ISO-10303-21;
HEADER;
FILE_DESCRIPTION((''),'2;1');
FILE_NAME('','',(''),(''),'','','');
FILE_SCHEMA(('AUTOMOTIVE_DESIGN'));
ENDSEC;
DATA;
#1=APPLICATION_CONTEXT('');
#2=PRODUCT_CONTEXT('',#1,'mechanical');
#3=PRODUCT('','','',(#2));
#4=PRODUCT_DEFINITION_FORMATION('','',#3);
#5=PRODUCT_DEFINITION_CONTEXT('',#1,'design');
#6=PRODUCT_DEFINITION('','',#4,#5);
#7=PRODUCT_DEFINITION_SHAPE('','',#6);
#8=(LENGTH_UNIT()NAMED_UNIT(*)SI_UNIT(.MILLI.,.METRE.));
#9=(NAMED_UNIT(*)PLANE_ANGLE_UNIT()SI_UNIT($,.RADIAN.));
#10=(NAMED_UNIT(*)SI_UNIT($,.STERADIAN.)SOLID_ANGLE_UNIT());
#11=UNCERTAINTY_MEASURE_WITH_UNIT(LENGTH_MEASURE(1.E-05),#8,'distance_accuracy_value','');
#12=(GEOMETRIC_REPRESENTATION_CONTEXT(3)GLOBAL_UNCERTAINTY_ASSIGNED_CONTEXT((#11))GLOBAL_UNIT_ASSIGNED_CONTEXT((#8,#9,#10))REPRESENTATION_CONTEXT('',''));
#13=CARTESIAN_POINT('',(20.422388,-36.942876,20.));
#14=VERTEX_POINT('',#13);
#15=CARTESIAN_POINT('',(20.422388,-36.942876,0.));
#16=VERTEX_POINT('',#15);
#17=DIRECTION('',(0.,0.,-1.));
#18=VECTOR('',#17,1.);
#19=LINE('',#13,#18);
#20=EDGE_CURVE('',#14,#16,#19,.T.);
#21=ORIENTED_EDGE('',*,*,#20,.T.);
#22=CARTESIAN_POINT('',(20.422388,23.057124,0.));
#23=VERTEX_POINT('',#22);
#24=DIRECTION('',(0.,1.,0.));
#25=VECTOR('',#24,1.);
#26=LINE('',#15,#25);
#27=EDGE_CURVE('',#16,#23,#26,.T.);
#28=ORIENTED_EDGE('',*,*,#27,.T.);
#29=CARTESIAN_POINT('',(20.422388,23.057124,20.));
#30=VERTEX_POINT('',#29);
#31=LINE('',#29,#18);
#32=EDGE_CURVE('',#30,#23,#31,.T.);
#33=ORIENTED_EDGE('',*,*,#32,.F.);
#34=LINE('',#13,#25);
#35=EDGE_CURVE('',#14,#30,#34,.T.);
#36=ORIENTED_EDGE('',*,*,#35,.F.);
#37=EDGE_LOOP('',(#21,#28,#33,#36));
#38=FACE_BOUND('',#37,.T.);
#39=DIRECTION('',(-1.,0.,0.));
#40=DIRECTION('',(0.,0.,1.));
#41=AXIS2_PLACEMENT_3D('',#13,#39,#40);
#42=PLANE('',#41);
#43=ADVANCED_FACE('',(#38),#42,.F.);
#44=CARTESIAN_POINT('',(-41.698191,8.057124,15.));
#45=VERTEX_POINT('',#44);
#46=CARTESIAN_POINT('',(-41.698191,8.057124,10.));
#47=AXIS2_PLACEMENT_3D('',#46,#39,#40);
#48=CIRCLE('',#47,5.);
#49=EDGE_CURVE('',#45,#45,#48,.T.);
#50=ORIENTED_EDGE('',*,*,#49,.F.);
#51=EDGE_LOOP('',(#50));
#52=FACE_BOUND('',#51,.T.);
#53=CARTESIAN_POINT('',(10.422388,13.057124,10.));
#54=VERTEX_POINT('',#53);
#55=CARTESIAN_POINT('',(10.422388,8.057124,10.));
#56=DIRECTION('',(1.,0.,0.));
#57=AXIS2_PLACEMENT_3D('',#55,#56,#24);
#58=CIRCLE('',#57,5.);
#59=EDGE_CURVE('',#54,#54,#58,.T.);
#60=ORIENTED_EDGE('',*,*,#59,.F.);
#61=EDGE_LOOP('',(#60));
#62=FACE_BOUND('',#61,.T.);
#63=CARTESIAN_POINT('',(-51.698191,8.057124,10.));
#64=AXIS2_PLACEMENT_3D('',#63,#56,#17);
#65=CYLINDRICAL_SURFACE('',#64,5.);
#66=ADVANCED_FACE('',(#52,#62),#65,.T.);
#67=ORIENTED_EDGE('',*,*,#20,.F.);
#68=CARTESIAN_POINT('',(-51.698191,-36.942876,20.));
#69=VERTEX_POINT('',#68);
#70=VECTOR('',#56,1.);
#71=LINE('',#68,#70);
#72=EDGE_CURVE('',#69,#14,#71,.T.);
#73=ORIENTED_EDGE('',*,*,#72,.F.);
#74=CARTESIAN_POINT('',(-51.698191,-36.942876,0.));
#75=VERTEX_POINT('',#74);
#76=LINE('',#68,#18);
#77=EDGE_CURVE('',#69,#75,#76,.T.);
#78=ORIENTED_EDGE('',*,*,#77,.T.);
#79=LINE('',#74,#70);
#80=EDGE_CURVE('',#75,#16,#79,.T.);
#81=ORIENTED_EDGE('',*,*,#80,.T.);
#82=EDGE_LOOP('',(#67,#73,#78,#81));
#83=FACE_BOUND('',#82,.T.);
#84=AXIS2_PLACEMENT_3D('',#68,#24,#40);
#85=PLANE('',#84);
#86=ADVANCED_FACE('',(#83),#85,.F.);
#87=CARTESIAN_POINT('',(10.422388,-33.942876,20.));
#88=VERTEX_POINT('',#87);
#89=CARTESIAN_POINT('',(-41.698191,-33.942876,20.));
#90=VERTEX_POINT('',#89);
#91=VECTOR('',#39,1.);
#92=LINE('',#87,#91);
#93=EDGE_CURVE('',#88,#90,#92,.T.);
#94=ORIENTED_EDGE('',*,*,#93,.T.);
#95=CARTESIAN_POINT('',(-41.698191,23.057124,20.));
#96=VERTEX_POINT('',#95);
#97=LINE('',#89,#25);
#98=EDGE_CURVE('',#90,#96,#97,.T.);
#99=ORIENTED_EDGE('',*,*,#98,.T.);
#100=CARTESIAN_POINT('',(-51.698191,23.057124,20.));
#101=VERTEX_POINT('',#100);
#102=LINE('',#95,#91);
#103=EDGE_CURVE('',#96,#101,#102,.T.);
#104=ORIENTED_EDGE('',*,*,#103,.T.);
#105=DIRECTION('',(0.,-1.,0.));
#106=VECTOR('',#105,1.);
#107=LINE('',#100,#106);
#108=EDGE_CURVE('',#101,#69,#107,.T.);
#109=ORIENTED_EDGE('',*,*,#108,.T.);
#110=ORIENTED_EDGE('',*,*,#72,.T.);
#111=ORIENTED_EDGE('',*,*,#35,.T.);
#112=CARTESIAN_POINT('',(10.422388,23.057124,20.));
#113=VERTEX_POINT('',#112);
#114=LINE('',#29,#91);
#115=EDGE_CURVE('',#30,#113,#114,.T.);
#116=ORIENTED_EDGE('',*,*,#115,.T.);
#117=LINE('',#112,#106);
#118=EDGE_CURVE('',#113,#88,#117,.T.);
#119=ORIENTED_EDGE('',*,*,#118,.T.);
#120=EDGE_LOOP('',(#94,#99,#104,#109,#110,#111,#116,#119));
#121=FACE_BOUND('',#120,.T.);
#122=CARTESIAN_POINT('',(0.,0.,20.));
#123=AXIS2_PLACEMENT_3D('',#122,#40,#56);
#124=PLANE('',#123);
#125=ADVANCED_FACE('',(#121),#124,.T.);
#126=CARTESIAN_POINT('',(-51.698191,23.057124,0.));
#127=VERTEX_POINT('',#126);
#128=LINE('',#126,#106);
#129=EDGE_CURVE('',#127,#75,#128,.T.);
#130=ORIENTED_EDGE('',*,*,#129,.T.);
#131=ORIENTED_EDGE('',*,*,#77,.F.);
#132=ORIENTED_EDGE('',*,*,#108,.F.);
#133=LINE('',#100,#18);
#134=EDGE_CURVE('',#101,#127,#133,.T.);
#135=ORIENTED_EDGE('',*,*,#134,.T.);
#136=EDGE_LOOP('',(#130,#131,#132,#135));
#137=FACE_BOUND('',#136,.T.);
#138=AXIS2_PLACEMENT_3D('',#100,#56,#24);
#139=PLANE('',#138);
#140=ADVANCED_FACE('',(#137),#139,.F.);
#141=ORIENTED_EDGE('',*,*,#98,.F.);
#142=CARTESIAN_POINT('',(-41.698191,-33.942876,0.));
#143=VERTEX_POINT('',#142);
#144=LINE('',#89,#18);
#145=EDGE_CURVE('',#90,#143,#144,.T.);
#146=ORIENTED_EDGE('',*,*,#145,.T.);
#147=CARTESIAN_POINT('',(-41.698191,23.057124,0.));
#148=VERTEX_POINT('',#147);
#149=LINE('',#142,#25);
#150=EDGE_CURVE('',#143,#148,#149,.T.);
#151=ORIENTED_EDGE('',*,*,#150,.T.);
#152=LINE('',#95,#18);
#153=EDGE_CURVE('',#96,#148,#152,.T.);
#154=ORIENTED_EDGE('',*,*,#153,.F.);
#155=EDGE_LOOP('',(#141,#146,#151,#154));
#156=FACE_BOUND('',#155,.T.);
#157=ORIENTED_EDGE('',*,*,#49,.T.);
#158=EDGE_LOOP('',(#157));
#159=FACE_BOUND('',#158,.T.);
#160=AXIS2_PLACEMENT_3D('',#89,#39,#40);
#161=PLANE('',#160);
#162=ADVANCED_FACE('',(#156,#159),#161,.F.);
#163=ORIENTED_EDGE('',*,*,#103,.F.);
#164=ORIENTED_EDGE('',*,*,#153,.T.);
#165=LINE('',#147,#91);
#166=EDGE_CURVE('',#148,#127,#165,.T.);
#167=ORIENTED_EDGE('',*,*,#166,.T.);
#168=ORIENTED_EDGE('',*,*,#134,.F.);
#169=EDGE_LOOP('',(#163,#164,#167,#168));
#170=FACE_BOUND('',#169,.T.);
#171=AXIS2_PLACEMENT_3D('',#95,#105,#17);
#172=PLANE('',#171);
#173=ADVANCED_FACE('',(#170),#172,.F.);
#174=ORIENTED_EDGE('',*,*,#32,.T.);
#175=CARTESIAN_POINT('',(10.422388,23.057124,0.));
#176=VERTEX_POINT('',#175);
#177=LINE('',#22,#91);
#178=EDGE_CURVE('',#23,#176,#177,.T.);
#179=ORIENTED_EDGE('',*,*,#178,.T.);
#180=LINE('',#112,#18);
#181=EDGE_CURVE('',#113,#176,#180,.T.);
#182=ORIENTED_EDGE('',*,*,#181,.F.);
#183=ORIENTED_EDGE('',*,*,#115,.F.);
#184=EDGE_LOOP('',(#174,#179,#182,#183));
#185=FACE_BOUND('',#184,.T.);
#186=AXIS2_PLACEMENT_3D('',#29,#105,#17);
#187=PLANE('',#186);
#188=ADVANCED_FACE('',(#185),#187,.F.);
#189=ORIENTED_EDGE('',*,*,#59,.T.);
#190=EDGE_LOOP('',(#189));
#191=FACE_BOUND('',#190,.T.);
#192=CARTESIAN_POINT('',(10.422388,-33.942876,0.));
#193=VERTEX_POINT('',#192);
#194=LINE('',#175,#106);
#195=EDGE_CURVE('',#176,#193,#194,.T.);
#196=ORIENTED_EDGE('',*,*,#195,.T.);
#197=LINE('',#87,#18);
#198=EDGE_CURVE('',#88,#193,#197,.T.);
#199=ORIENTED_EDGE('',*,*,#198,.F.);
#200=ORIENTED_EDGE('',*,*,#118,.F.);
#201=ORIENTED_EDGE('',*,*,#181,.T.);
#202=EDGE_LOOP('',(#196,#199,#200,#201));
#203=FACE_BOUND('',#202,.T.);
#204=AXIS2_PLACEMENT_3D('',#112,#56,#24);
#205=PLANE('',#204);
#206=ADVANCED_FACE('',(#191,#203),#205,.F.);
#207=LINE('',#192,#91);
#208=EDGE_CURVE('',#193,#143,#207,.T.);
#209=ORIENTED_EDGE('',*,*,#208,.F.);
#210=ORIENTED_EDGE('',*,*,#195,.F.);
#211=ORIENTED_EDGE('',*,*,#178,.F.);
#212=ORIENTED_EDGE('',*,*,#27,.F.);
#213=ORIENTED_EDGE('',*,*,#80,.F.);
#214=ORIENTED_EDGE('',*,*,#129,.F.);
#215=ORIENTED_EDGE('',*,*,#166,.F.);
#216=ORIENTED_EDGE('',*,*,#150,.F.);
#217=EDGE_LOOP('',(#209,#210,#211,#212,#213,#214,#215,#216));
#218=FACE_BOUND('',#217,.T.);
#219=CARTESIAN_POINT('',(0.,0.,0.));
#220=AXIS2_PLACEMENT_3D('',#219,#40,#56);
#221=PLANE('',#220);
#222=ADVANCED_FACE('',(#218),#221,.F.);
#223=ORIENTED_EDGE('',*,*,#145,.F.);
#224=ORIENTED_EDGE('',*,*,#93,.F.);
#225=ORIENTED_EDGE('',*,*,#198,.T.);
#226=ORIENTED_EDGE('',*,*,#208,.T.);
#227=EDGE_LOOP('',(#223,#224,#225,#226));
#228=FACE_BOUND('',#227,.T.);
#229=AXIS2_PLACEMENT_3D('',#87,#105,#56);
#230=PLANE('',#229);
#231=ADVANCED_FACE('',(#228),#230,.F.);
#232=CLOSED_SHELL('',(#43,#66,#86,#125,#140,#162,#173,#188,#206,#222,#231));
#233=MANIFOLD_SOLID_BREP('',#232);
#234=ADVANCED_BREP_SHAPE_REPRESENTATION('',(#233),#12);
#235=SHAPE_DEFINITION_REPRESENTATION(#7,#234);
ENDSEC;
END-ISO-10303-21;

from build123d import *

# Parameters (mm, degrees)
BOSS_EXTRUDE1_DEPTH = 20
SKETCH2_R           = 5
BOSS_EXTRUDE2_DEPTH = 72.120579


with BuildPart() as part:
    # Sketch1 → Boss-Extrude1 (new body)
    with BuildSketch(Plane.XY):
        Polygon((-51.698191127, 23.057124059), (-51.698191127, -36.942875941), (20.422387717, -36.942875941), (20.422387717, 23.057124059), (10.422387717, 23.057124059), (10.422387717, -33.942875941), (-41.698191127, -33.942875941), (-41.698191127, 23.057124059), align=None)
    extrude(amount=BOSS_EXTRUDE1_DEPTH)

    # Sketch2 → Boss-Extrude2 (add)
    with BuildSketch(Plane(origin=(20.422387717, 0, 0), x_dir=(0, 0, -1), z_dir=(1, 0, 0))):
        with Locations(Location((-10, 8.057124059, 0), (0, 0, 90))):
            Circle(SKETCH2_R)
    extrude(amount=-BOSS_EXTRUDE2_DEPTH)


solid = part.part
